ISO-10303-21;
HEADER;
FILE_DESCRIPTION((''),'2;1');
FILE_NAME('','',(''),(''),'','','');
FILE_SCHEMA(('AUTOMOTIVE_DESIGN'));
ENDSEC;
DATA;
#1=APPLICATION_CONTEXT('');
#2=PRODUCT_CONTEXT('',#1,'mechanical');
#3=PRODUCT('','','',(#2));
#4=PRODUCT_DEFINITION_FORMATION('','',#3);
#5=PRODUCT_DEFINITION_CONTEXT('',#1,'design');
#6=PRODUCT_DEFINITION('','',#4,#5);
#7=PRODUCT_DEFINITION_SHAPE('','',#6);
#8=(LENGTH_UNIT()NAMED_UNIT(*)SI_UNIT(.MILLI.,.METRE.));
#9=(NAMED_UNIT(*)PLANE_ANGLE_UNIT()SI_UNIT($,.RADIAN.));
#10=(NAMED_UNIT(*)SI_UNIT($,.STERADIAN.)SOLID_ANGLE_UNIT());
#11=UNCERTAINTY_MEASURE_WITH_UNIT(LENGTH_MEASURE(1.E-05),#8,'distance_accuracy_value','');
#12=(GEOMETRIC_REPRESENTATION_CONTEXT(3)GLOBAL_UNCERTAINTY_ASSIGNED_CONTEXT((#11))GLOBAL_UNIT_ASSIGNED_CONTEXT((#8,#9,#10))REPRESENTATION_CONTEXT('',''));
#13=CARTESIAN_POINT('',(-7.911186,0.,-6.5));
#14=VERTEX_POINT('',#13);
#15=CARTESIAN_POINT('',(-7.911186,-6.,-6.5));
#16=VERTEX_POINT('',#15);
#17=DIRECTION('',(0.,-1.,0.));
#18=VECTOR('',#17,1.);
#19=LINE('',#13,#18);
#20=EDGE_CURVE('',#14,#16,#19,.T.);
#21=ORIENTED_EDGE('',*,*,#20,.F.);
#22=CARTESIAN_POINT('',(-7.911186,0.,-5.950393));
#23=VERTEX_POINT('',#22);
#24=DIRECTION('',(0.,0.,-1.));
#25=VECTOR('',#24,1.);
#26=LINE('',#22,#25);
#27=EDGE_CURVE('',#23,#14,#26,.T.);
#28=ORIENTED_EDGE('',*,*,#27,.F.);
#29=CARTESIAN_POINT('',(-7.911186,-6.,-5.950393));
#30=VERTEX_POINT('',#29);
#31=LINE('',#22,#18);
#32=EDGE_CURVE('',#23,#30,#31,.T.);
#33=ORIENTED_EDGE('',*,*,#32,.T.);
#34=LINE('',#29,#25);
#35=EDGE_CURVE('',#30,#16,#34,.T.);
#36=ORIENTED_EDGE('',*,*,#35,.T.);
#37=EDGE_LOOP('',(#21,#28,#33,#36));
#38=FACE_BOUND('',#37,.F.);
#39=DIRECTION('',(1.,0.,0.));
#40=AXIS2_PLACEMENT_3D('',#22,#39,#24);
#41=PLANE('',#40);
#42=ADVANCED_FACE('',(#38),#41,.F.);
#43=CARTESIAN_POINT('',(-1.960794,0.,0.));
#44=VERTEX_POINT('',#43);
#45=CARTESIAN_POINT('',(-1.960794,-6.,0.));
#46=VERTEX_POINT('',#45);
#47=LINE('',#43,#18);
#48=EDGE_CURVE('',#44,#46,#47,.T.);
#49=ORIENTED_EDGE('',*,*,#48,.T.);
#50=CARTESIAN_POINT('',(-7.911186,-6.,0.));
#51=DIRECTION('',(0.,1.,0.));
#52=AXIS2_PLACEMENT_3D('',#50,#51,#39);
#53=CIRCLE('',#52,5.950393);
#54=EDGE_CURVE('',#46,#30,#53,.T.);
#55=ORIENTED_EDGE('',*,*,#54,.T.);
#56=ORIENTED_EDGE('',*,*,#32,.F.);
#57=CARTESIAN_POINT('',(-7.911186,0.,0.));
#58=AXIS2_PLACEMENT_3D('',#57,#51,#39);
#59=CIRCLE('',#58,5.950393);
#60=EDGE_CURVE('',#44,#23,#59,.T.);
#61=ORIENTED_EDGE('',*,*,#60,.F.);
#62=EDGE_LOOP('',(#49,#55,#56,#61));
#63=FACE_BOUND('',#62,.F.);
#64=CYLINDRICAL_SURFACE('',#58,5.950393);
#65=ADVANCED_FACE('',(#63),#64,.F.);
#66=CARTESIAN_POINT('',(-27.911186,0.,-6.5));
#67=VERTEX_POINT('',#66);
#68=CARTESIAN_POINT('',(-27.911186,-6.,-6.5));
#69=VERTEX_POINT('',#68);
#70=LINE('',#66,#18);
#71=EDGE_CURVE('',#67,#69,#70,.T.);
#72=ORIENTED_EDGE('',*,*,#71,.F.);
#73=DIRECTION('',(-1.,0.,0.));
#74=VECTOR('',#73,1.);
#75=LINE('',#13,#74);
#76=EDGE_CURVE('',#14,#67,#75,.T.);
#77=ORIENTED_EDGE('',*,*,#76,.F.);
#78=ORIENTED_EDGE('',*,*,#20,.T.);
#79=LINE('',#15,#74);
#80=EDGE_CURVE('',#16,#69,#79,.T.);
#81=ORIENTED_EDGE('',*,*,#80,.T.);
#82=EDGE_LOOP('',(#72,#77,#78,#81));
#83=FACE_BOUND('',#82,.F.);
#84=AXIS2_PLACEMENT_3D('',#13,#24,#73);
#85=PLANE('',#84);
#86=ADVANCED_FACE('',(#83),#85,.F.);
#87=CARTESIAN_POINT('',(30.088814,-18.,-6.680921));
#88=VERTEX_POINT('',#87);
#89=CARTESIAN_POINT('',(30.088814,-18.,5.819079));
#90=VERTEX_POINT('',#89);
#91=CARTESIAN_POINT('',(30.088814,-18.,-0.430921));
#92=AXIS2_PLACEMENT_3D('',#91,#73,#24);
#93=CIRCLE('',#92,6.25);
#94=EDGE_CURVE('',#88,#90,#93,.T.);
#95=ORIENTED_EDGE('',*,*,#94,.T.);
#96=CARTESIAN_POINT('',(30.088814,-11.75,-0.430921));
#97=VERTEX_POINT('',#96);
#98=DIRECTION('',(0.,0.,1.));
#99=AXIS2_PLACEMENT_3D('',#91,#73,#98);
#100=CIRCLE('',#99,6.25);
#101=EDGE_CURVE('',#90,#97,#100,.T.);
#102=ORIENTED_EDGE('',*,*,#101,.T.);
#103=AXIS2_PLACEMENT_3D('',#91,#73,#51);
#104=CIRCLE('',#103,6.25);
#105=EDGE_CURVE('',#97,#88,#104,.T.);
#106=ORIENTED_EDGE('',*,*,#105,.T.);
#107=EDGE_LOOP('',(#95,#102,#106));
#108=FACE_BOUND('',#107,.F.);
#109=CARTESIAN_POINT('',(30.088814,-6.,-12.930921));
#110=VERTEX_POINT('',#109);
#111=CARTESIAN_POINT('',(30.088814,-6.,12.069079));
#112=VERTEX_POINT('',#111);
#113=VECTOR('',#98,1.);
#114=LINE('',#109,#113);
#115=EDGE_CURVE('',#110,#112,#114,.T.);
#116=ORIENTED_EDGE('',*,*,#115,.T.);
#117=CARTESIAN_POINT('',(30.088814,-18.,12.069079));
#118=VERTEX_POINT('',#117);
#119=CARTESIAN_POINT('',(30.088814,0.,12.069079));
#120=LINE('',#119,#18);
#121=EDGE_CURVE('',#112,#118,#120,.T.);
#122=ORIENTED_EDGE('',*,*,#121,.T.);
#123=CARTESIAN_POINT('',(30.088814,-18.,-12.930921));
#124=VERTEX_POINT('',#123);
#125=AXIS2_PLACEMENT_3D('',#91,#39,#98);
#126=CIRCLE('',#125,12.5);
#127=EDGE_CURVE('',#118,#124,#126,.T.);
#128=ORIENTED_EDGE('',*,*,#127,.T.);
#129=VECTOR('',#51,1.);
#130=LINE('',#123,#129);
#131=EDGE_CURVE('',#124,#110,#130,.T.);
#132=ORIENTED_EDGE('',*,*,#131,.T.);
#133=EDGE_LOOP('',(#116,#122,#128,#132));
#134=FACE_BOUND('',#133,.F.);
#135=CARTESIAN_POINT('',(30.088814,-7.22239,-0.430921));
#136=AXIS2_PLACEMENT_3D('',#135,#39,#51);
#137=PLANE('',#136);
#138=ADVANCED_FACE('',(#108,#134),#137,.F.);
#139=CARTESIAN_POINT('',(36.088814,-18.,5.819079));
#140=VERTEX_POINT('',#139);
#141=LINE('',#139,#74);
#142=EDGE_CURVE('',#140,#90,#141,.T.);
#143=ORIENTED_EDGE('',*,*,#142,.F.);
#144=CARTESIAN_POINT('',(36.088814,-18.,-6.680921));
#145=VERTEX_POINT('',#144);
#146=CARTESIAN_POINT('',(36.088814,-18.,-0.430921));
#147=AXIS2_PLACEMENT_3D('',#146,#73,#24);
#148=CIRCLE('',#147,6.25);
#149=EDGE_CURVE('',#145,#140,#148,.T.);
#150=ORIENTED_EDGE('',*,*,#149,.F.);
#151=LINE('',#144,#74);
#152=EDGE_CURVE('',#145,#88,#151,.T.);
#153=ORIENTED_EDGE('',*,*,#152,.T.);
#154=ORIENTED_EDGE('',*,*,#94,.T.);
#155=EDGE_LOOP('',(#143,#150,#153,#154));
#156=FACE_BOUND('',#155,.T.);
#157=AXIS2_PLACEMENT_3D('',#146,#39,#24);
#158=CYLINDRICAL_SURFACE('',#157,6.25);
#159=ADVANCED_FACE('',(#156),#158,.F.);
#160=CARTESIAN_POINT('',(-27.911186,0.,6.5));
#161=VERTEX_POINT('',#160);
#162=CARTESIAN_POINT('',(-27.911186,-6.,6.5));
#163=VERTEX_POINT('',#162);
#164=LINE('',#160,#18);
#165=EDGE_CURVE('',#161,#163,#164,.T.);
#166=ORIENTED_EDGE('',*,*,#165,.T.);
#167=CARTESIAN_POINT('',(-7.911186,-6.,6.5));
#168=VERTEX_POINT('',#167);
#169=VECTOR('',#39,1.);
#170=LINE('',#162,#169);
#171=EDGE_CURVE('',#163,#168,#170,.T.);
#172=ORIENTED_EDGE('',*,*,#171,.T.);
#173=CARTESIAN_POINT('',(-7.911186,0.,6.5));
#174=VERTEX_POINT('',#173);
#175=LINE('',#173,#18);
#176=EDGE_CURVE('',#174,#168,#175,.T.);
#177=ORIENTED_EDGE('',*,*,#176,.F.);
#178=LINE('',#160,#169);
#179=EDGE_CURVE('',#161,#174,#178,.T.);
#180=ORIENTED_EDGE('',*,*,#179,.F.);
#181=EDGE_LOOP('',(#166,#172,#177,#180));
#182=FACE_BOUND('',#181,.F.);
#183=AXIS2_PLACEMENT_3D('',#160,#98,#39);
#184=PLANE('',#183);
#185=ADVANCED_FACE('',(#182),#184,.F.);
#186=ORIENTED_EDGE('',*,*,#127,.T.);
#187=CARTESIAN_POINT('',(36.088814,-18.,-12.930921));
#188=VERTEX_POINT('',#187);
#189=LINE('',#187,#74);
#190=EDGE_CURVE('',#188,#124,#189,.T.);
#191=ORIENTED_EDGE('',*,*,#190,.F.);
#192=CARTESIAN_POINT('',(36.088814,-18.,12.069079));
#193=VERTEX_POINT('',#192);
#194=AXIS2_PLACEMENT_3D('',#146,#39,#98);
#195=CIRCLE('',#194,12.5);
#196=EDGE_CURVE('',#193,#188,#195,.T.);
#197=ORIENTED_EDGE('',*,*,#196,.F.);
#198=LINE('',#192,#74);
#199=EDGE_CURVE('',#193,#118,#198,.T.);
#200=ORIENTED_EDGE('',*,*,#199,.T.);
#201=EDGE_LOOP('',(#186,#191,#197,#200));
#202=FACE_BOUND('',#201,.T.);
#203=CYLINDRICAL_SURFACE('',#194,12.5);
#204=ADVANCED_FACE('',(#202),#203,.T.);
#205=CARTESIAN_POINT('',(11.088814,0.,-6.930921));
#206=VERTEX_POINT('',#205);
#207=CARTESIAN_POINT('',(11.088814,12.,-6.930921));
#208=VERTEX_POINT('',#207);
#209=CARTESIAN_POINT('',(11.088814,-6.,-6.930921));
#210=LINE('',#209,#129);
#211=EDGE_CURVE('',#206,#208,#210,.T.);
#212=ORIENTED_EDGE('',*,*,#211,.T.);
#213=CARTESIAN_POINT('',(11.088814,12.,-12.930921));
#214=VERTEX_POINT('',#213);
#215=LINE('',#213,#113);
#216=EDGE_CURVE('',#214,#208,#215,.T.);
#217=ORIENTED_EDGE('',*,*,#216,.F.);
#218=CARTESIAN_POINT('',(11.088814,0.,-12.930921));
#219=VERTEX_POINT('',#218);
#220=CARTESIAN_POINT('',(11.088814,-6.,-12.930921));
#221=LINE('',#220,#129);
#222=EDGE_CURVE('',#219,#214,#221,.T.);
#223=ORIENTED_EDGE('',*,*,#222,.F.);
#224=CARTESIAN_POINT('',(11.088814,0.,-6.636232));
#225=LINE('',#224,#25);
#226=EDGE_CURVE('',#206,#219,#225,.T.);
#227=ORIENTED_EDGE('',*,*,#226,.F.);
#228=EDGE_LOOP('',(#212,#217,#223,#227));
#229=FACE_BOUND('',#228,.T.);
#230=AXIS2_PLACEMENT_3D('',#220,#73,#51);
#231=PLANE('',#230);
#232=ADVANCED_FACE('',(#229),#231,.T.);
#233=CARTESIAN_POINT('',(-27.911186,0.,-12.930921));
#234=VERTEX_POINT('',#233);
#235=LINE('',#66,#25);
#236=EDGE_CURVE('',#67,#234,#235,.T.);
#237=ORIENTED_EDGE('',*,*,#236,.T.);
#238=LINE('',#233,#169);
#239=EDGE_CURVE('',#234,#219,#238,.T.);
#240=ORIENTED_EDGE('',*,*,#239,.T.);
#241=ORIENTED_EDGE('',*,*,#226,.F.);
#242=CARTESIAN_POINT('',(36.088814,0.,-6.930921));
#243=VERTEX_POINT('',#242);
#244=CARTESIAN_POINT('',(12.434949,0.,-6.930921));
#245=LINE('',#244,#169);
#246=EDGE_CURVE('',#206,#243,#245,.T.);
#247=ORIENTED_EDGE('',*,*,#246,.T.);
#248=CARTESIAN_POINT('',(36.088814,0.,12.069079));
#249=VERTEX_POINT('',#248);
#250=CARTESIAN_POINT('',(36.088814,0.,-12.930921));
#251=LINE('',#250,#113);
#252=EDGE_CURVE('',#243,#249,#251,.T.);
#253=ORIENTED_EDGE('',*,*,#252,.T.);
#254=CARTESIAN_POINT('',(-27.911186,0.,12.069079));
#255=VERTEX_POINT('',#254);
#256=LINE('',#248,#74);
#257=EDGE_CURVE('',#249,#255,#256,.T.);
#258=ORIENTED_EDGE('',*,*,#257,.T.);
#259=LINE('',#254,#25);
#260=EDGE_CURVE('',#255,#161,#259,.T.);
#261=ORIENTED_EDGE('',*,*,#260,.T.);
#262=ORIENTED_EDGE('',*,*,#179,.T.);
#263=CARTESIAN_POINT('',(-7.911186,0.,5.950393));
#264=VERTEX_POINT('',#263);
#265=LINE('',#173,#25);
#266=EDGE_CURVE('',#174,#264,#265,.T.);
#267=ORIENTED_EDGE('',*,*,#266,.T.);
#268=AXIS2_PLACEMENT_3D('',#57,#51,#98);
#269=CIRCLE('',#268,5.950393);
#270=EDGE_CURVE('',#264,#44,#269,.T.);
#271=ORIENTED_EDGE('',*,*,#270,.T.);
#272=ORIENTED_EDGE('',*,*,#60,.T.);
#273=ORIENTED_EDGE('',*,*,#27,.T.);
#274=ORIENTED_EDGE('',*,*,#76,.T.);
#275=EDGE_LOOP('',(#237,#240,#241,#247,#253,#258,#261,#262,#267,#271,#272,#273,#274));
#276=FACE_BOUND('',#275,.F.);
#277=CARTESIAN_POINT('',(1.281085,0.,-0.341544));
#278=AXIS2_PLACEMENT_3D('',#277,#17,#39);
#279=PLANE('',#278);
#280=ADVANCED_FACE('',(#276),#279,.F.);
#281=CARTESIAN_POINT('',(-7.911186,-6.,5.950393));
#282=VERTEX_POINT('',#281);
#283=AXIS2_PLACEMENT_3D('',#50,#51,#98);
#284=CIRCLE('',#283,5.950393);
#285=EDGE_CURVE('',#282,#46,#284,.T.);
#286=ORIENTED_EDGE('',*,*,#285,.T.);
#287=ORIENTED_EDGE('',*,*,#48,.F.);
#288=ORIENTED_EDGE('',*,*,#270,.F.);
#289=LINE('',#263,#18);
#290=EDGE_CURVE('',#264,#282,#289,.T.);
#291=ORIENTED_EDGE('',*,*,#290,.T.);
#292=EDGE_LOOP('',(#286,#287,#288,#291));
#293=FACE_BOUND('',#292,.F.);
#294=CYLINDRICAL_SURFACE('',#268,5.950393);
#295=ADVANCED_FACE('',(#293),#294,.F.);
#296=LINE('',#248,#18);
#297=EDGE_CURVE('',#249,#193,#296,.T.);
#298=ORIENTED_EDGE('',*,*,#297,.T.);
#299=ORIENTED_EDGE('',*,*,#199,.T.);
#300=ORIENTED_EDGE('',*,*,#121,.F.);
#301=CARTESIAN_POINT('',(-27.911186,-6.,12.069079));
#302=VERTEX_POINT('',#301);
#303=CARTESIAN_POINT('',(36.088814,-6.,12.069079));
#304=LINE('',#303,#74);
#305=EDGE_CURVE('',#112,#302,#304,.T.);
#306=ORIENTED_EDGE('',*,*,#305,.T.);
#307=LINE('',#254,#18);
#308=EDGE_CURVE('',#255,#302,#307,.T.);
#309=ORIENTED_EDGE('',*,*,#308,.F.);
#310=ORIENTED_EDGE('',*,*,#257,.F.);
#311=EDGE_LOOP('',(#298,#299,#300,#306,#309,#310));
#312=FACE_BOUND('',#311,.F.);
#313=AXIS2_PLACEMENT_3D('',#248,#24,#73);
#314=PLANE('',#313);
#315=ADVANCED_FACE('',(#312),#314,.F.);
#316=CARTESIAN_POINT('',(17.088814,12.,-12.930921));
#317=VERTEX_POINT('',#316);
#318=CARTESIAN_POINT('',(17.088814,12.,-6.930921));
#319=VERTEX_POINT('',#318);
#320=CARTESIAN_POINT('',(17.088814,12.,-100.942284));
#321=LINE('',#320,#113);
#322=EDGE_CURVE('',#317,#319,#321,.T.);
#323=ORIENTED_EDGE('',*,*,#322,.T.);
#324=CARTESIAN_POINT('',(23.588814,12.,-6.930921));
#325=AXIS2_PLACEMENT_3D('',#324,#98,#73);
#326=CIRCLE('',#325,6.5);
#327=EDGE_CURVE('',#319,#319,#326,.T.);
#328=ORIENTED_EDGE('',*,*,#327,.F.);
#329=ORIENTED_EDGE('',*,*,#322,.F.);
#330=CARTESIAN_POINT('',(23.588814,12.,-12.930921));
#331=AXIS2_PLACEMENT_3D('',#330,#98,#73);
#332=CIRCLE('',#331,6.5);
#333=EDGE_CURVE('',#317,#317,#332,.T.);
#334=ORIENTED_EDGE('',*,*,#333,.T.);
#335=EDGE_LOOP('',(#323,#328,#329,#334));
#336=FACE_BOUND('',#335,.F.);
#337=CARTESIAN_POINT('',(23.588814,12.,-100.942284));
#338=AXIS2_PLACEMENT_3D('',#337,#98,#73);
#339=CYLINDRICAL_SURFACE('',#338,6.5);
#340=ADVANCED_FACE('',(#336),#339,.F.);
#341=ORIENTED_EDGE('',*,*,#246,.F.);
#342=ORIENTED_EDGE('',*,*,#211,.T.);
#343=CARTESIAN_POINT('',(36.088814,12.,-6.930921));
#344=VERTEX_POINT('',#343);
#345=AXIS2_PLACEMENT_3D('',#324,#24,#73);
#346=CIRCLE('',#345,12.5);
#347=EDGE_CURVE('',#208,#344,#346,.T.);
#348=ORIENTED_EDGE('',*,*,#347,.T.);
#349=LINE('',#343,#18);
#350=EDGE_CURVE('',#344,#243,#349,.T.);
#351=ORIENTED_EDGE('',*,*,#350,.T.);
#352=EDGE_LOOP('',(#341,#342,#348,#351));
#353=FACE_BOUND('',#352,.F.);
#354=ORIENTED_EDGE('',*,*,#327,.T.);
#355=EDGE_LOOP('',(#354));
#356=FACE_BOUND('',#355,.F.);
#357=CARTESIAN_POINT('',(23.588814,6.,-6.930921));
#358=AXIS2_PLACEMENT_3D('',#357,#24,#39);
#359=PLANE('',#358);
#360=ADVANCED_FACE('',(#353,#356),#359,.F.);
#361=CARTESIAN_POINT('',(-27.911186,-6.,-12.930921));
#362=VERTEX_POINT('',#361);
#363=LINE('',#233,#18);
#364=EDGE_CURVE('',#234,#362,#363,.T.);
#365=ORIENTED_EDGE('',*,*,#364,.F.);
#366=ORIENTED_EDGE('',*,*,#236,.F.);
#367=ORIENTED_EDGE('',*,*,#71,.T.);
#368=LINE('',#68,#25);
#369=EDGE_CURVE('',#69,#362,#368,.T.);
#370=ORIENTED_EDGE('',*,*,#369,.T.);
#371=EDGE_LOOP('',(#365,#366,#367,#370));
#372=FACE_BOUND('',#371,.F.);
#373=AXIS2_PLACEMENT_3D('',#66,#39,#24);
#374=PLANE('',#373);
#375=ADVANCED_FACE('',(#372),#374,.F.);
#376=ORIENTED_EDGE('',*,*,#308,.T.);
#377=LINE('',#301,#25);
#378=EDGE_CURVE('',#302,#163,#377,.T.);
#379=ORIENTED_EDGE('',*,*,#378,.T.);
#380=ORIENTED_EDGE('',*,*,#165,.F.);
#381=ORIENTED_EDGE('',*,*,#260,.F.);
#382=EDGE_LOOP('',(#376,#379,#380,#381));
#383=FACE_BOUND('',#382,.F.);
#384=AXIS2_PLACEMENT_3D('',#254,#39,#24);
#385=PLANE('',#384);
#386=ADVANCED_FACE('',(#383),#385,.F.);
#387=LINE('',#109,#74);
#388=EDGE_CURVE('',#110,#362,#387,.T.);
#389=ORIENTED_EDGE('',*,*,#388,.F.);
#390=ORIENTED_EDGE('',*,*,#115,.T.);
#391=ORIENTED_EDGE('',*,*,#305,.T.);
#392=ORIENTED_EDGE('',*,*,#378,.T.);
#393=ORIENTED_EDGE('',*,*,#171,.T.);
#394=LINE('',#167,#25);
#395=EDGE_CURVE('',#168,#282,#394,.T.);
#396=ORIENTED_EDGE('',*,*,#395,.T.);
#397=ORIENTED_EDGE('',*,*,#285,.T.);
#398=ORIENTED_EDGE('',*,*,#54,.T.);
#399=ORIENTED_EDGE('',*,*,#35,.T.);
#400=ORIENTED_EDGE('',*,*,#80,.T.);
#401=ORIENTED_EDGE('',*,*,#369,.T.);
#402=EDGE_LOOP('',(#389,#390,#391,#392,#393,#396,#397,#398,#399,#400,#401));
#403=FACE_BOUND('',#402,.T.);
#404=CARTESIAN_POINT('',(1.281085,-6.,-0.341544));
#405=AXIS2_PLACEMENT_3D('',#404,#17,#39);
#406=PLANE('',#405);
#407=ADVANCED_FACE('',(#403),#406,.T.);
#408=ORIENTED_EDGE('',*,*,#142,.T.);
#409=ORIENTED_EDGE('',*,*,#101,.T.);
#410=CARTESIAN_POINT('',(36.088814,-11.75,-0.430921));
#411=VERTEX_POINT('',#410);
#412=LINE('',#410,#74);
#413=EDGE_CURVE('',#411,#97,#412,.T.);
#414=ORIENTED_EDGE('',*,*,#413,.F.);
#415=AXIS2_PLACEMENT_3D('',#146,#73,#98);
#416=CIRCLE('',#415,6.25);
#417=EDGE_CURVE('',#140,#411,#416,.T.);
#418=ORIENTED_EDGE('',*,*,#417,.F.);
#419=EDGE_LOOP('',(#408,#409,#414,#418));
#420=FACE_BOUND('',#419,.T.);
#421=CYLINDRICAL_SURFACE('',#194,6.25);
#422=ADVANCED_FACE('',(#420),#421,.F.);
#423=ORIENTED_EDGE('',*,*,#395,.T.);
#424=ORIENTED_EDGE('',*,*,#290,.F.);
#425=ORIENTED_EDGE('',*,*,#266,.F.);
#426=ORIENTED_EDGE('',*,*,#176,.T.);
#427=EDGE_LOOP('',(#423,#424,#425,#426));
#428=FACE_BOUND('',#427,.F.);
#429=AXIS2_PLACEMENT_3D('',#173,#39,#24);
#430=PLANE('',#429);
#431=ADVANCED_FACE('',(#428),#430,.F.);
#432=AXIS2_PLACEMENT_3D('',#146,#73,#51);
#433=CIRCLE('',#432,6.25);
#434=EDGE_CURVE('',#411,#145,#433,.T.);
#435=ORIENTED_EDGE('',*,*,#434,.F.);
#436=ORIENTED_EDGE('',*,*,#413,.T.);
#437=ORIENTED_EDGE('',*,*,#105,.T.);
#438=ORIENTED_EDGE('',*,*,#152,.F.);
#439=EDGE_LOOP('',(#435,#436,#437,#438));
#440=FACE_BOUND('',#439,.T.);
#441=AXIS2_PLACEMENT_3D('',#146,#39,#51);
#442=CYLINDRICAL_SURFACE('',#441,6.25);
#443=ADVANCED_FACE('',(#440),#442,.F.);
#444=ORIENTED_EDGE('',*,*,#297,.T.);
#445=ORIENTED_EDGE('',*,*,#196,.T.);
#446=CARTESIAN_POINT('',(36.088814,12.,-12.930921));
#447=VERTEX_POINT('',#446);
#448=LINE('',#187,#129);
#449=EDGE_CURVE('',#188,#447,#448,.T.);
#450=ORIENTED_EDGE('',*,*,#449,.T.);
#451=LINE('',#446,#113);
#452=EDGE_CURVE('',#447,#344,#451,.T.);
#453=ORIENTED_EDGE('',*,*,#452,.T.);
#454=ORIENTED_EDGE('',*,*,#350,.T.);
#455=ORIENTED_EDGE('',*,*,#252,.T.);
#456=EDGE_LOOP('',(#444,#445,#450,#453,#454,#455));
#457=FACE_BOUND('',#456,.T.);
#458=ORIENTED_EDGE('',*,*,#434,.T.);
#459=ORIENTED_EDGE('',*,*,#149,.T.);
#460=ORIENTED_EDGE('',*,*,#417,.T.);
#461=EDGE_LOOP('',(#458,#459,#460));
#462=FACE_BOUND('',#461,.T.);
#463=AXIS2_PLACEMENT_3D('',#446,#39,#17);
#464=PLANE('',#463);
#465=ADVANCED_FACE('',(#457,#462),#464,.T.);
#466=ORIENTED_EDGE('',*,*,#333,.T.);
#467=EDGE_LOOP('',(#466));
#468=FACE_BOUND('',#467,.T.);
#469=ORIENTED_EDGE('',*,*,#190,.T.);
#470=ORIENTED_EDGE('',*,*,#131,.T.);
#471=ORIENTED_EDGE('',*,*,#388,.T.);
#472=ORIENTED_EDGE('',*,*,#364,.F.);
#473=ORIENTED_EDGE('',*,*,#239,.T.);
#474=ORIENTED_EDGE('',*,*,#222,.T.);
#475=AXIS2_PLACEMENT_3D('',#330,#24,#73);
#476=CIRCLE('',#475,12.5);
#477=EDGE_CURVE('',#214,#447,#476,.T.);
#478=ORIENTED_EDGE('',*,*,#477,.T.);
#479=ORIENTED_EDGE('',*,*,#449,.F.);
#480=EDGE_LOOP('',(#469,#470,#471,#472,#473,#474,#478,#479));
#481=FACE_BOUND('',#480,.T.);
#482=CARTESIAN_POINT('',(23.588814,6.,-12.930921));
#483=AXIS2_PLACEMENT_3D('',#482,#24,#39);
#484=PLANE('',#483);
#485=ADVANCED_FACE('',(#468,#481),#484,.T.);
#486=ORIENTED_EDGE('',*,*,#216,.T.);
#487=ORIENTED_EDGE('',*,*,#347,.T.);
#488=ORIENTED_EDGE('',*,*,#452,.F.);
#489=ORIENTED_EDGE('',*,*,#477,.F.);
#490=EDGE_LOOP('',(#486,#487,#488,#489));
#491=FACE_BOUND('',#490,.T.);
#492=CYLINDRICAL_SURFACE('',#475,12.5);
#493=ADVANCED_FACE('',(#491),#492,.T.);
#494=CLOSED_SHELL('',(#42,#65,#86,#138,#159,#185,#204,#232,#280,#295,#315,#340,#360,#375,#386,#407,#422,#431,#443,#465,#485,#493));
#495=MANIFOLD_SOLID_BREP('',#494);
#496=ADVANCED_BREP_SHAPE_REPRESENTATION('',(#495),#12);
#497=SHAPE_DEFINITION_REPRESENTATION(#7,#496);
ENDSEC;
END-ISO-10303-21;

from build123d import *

# Parameters (mm, degrees)
F1_DEPTH = 6
F3_DEPTH = 6
F4_W     = 25
F4_H     = 12
F4_H_2   = 18
F5_DEPTH = 6
F6_D     = 13


with BuildPart() as f1:
    # F0 (on Front) → F1 (new body)
    with BuildSketch(Plane.XZ):
        with BuildLine():
            Line((36.0888135582, -12.9309209585), (36.0888135582, 12.0690790415))
            Line((36.0888135582, 12.0690790415), (-27.9111864418, 12.0690790415))
            Line((-27.9111864418, 12.0690790415), (-27.9111864418, 6.5))
            Line((-27.9111864418, 6.5), (-7.9111864418, 6.5))
            Line((-7.9111864418, 6.5), (-7.9111864418, 5.9503926081))
            ThreePointArc((-7.9111864418, 5.9503926081), (-3.7036234779, 4.2075629639), (-1.9607938337, 0))
            ThreePointArc((-1.9607938337, 0), (-3.7036234779, -4.2075629639), (-7.9111864418, -5.9503926081))
            Line((-7.9111864418, -5.9503926081), (-7.9111864418, -6.5))
            Line((-7.9111864418, -6.5), (-27.9111864418, -6.5))
            Line((-27.9111864418, -6.5), (-27.9111864418, -12.9309209585))
            Line((-27.9111864418, -12.9309209585), (36.0888135582, -12.9309209585))
        make_face()
    extrude(amount=F1_DEPTH)

    # F2 (on face) → F3 (join)
    with BuildSketch(Plane.YZ.offset(36.0888135582)):
        with BuildLine():
            Line((0, -12.9309209585), (0, 12.0690790415))
            Line((0, 12.0690790415), (-18, 12.0690790415))
            ThreePointArc((-18, 12.0690790415), (-9.1611652352, 8.4079138063), (-5.5, -0.4309209585))
            ThreePointArc((-5.5, -0.4309209585), (-9.1611652352, -9.2697557234), (-18, -12.9309209585))
            Line((-18, -12.9309209585), (0, -12.9309209585))
        make_face()
        with BuildLine():
            ThreePointArc((-5.5, -0.4309209585), (-9.1611652352, 8.4079138063), (-18, 12.0690790415))
            Line((-18, 12.0690790415), (-18, 5.8190790415))
            ThreePointArc((-18, 5.8190790415), (-13.5805826176, 3.9884964239), (-11.75, -0.4309209585))
            ThreePointArc((-11.75, -0.4309209585), (-13.5805826176, -4.8503383409), (-18, -6.6809209585))
            Line((-18, -6.6809209585), (-18, -12.9309209585))
            ThreePointArc((-18, -12.9309209585), (-9.1611652352, -9.2697557234), (-5.5, -0.4309209585))
        make_face()
        with BuildLine():
            Line((-18, 5.8190790415), (-18, 12.0690790415))
            ThreePointArc((-18, 12.0690790415), (-30.5, -0.4309209585), (-18, -12.9309209585))
            Line((-18, -12.9309209585), (-18, -6.6809209585))
            ThreePointArc((-18, -6.6809209585), (-24.25, -0.4309209585), (-18, 5.8190790415))
        make_face()
    extrude(amount=-F3_DEPTH)

    # F4 (on face) → F5 (join)
    with BuildSketch(Plane(origin=(0, 0, -12.9309209585), x_dir=(1, 0, 0), z_dir=(0, 0, -1))):
        with Locations((23.5888135582, -6)):
            Rectangle(F4_W, F4_H)
        with Locations((23.5888135582, -3)):
            Rectangle(F4_W, F4_H_2)
        with BuildLine():
            ThreePointArc((11.0888135582, -12), (23.5888135582, -24.5), (36.0888135582, -12))
            Line((36.0888135582, -12), (11.0888135582, -12))
        make_face()
    extrude(amount=-F5_DEPTH)

    # F6 (through all)
    with Locations(Plane(origin=(0, 0, -12.9309209585), x_dir=(1, 0, 0), z_dir=(0, 0, -1))):
        with Locations((23.5888135582, -12)):
            Hole(F6_D / 2)


solid = f1.part
